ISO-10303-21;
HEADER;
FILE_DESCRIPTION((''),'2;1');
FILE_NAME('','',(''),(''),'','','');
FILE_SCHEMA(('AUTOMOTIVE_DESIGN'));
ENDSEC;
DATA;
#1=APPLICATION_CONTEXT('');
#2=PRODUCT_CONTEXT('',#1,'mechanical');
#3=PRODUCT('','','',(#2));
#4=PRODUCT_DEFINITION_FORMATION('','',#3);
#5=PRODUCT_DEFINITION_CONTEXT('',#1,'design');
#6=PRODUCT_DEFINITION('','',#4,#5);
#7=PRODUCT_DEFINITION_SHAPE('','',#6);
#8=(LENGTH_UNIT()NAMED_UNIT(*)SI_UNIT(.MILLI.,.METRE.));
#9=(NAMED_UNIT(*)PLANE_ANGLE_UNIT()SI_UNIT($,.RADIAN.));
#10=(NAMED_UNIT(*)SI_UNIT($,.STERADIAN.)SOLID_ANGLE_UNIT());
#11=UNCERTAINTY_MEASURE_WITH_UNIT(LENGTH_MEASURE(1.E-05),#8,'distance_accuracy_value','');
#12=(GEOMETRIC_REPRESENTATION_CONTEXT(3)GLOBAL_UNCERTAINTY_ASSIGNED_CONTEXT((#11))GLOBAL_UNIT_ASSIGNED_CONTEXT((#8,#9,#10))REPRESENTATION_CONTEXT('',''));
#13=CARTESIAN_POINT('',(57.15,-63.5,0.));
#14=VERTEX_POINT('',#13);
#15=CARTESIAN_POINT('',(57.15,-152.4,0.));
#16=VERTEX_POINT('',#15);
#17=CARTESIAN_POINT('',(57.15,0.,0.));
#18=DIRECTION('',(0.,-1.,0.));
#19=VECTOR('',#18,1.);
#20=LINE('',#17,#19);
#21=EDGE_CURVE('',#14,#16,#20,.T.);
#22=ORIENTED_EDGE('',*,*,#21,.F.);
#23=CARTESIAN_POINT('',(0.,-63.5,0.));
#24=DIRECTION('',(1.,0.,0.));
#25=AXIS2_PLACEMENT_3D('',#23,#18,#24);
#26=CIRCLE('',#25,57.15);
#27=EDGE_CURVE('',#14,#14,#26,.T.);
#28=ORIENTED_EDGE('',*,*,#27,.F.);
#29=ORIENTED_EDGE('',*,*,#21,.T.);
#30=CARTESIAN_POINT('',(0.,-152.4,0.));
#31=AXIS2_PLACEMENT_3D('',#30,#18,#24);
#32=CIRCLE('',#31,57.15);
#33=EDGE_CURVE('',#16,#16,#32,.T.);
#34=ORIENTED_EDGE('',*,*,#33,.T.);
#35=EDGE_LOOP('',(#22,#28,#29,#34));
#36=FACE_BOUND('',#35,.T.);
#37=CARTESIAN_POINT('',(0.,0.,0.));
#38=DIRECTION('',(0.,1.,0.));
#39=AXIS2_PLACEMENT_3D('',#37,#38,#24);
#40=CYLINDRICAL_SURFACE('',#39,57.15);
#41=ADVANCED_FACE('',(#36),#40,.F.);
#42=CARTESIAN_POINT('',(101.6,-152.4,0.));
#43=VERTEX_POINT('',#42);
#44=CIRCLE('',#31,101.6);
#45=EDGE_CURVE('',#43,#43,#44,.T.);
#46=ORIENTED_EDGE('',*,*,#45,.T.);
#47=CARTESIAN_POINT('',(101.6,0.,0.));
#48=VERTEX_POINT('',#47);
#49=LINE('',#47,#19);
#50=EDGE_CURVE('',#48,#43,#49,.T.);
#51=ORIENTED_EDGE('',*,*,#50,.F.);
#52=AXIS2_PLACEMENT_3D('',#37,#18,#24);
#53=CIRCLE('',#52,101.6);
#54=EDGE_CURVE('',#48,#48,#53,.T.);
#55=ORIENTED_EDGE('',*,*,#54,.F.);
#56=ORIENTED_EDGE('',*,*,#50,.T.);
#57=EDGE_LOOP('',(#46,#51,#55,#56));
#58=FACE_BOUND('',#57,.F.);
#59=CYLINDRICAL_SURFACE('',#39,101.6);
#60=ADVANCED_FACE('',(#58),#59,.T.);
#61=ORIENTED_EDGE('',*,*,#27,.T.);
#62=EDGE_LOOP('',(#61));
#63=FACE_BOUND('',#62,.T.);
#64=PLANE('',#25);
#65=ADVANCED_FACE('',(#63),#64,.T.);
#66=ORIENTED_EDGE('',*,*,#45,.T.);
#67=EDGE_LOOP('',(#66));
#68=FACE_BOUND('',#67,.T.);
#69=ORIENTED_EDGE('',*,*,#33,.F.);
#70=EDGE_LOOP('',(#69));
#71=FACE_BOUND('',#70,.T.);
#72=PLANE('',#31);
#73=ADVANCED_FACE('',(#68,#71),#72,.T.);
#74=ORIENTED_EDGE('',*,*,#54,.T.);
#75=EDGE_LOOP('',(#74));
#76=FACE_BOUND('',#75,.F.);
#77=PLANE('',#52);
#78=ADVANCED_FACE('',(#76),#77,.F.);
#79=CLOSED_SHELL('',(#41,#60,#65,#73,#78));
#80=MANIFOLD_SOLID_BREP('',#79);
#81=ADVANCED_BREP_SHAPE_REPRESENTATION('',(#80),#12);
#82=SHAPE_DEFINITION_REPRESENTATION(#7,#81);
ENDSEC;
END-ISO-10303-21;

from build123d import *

# Parameters (mm, degrees)
F0_R     = 101.6
F0_R_2   = 57.15
F1_DEPTH = 152.4
F2_R     = 57.15
F3_DEPTH = 63.5


with BuildPart() as f1:
    # F0 (on Front) → F1 (new body)
    with BuildSketch(Plane.XZ):
        Circle(F0_R)
        Circle(F0_R_2, mode=Mode.SUBTRACT)
    extrude(amount=F1_DEPTH)

    # F2 (on Front) → F3 (join)
    with BuildSketch(Plane.XZ):
        Circle(F2_R)
    extrude(amount=F3_DEPTH)


solid = f1.part
